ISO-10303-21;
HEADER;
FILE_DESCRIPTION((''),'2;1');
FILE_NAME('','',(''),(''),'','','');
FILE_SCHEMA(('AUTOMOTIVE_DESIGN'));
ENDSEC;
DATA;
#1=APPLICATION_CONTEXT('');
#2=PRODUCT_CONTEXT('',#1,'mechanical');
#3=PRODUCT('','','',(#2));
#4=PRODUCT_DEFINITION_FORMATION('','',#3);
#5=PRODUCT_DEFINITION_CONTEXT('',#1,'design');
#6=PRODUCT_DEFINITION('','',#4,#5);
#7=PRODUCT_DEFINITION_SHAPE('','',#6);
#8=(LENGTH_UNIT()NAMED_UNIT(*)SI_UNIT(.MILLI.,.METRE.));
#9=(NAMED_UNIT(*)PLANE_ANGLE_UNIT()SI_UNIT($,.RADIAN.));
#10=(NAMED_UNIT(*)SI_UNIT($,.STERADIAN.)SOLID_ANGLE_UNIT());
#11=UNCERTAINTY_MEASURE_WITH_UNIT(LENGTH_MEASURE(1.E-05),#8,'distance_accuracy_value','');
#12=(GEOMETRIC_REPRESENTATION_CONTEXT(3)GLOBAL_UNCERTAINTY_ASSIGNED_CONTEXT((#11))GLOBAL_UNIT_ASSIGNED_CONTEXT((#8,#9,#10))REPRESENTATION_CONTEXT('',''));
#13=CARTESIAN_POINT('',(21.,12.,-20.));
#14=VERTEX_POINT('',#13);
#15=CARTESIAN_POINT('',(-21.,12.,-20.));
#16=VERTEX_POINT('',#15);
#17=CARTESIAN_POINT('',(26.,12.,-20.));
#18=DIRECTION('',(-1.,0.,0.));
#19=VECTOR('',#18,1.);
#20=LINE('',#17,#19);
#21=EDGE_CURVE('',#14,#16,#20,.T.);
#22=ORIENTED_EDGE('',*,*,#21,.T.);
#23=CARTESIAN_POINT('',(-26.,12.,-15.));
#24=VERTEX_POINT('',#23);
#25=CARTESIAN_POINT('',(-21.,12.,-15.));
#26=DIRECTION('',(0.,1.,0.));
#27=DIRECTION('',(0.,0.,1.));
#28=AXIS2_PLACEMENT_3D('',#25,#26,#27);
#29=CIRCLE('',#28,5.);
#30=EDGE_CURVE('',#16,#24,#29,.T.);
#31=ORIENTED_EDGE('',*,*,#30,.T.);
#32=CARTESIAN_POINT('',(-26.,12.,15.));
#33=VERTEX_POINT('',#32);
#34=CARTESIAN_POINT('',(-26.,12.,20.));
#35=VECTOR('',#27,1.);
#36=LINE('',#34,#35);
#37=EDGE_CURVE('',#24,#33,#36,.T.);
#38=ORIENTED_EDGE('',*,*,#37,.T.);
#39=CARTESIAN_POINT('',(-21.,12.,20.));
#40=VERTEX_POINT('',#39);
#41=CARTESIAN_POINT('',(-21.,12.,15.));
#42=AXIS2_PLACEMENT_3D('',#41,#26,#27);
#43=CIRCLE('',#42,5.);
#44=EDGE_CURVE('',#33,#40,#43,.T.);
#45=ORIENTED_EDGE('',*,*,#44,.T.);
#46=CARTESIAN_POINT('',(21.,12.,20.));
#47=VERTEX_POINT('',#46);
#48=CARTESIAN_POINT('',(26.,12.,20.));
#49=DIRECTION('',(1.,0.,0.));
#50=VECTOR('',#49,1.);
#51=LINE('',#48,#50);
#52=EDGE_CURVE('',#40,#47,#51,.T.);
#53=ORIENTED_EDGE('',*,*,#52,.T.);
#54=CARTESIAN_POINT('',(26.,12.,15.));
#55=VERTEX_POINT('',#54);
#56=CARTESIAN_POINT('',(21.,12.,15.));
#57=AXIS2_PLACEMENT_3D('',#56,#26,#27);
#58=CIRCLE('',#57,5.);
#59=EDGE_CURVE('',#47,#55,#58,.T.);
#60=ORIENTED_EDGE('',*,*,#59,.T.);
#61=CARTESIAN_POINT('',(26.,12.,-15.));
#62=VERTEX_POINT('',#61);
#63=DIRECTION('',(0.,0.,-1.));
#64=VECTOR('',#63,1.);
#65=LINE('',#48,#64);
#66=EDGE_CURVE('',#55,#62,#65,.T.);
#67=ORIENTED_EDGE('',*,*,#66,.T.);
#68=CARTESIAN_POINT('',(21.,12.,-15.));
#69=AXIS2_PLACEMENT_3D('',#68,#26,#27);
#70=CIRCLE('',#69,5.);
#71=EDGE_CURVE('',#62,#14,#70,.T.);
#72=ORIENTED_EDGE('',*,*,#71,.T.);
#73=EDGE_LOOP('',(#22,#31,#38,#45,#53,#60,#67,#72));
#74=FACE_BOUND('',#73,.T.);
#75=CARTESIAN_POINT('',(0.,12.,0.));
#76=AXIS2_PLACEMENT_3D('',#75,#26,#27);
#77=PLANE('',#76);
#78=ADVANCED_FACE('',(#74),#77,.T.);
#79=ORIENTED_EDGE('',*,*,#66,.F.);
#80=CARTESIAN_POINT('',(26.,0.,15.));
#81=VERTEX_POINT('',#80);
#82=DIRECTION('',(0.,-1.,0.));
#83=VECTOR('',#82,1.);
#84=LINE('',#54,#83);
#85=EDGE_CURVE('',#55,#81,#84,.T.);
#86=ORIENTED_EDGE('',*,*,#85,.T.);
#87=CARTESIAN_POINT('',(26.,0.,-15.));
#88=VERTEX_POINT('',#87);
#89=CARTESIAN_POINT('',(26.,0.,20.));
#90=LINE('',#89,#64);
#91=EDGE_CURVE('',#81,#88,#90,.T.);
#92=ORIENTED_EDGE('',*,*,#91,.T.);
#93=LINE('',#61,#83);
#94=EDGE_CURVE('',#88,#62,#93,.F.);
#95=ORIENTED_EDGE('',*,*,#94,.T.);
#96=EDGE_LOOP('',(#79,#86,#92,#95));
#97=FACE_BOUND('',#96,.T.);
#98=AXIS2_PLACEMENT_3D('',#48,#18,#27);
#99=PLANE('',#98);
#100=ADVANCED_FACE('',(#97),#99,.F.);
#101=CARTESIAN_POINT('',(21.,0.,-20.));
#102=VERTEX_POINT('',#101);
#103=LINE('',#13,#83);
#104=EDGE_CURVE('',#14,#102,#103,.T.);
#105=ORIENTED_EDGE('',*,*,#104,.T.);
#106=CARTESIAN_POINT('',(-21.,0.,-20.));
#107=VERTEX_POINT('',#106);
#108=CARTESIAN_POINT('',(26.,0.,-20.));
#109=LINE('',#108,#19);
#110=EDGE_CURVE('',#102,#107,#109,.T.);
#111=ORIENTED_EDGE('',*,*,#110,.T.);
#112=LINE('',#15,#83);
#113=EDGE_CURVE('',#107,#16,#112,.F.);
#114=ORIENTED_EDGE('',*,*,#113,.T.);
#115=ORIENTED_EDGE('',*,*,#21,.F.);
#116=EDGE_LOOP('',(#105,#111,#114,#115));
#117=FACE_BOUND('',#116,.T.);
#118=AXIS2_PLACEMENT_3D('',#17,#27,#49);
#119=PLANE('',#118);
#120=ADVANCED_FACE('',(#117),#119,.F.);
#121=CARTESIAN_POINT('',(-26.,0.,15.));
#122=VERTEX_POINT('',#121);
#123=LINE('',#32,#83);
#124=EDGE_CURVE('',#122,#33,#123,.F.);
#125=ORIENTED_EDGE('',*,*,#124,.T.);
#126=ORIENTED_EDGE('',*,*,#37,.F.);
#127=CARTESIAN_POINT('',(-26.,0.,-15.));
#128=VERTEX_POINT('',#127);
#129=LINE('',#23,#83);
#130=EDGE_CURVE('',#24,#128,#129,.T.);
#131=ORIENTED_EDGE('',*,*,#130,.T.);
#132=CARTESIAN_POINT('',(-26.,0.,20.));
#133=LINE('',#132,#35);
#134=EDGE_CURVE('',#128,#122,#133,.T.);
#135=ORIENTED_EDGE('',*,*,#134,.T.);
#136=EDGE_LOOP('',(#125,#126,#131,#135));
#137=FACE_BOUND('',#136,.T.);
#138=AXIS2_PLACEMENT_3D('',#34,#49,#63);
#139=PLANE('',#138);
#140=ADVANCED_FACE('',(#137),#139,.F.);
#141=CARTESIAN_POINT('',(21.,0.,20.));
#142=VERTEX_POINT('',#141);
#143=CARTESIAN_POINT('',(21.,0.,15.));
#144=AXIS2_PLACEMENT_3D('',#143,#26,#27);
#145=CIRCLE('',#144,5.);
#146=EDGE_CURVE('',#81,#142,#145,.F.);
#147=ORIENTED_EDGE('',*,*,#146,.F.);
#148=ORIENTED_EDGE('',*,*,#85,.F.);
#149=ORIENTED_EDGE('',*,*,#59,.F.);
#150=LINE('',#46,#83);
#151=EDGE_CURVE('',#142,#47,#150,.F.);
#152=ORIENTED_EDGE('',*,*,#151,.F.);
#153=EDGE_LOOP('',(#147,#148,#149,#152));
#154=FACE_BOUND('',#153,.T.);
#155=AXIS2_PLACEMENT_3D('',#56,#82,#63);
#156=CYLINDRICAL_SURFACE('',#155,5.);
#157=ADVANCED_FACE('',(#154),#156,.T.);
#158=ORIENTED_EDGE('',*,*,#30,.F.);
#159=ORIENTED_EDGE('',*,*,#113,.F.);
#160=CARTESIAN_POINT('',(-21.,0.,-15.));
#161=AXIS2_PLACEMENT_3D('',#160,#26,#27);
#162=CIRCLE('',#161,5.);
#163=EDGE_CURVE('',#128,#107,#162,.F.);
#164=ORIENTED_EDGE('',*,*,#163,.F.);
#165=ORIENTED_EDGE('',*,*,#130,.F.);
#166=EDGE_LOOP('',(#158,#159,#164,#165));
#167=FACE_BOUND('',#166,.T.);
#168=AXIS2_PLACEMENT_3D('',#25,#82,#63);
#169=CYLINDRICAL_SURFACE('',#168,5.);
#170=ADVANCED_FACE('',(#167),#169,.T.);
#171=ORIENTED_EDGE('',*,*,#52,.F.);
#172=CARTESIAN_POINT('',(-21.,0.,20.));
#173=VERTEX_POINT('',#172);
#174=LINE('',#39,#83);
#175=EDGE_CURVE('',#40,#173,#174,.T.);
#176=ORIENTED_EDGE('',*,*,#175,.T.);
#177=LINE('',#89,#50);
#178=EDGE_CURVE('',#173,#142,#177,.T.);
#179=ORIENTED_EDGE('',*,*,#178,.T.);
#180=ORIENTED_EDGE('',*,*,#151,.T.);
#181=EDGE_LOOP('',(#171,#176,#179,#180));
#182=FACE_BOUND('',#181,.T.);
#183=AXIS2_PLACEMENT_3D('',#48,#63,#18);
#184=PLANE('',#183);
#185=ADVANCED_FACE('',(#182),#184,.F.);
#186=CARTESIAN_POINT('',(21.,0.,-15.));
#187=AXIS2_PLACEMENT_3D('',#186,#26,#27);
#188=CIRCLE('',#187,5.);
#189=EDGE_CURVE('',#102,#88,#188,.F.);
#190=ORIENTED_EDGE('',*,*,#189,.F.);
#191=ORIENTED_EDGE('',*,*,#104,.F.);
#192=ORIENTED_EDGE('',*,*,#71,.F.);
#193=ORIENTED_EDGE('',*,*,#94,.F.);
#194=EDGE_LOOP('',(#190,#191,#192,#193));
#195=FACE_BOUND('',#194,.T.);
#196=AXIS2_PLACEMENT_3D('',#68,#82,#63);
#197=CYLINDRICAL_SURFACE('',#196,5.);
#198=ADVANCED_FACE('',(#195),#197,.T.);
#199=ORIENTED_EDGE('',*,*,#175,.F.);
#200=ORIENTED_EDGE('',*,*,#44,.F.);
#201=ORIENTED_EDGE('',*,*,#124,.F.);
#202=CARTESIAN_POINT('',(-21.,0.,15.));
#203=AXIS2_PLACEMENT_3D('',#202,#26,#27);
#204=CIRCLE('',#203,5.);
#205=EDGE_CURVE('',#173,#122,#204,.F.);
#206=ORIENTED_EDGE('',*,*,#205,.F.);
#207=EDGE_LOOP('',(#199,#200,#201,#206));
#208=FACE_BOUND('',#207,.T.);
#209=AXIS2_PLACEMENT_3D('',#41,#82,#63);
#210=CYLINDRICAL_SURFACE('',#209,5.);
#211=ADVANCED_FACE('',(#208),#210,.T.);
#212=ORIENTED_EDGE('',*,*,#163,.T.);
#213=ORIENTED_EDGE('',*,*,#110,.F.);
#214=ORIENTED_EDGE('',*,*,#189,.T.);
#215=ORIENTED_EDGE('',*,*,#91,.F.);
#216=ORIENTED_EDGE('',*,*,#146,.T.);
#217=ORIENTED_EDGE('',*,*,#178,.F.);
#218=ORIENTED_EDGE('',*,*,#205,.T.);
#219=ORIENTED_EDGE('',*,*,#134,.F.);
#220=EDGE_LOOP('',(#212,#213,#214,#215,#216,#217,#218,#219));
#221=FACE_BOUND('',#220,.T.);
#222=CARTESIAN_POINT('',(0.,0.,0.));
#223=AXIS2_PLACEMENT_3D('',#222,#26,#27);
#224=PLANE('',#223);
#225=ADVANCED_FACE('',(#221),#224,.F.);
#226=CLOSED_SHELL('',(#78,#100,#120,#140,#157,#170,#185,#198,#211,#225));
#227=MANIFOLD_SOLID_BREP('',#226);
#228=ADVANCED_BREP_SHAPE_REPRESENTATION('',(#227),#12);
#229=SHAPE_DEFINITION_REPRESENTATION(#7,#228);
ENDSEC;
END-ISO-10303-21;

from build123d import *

# Parameters (mm, degrees)
SKETCH_1_W      = 52
SKETCH_1_H      = 40
EXTRUDE_1_DEPTH = 12
FILLET_1_R      = 5


with BuildPart() as part:
    # 草图1 → 凸台-拉伸1 (new body)
    with BuildSketch(Plane(origin=(0, 0, 0), x_dir=(1, 0, 0), z_dir=(0, 1, 0))):
        Rectangle(SKETCH_1_W, SKETCH_1_H)
    extrude(amount=EXTRUDE_1_DEPTH)

    # 圆角1
    fillet_1_edges = [part.edges().sort_by_distance(p)[0] for p in [
        (-26, 6, -20),
        (26, 6, -20),
        (26, 6, 20),
        (-26, 6, 20),
    ]]
    fillet(fillet_1_edges, radius=FILLET_1_R)


solid = part.part
